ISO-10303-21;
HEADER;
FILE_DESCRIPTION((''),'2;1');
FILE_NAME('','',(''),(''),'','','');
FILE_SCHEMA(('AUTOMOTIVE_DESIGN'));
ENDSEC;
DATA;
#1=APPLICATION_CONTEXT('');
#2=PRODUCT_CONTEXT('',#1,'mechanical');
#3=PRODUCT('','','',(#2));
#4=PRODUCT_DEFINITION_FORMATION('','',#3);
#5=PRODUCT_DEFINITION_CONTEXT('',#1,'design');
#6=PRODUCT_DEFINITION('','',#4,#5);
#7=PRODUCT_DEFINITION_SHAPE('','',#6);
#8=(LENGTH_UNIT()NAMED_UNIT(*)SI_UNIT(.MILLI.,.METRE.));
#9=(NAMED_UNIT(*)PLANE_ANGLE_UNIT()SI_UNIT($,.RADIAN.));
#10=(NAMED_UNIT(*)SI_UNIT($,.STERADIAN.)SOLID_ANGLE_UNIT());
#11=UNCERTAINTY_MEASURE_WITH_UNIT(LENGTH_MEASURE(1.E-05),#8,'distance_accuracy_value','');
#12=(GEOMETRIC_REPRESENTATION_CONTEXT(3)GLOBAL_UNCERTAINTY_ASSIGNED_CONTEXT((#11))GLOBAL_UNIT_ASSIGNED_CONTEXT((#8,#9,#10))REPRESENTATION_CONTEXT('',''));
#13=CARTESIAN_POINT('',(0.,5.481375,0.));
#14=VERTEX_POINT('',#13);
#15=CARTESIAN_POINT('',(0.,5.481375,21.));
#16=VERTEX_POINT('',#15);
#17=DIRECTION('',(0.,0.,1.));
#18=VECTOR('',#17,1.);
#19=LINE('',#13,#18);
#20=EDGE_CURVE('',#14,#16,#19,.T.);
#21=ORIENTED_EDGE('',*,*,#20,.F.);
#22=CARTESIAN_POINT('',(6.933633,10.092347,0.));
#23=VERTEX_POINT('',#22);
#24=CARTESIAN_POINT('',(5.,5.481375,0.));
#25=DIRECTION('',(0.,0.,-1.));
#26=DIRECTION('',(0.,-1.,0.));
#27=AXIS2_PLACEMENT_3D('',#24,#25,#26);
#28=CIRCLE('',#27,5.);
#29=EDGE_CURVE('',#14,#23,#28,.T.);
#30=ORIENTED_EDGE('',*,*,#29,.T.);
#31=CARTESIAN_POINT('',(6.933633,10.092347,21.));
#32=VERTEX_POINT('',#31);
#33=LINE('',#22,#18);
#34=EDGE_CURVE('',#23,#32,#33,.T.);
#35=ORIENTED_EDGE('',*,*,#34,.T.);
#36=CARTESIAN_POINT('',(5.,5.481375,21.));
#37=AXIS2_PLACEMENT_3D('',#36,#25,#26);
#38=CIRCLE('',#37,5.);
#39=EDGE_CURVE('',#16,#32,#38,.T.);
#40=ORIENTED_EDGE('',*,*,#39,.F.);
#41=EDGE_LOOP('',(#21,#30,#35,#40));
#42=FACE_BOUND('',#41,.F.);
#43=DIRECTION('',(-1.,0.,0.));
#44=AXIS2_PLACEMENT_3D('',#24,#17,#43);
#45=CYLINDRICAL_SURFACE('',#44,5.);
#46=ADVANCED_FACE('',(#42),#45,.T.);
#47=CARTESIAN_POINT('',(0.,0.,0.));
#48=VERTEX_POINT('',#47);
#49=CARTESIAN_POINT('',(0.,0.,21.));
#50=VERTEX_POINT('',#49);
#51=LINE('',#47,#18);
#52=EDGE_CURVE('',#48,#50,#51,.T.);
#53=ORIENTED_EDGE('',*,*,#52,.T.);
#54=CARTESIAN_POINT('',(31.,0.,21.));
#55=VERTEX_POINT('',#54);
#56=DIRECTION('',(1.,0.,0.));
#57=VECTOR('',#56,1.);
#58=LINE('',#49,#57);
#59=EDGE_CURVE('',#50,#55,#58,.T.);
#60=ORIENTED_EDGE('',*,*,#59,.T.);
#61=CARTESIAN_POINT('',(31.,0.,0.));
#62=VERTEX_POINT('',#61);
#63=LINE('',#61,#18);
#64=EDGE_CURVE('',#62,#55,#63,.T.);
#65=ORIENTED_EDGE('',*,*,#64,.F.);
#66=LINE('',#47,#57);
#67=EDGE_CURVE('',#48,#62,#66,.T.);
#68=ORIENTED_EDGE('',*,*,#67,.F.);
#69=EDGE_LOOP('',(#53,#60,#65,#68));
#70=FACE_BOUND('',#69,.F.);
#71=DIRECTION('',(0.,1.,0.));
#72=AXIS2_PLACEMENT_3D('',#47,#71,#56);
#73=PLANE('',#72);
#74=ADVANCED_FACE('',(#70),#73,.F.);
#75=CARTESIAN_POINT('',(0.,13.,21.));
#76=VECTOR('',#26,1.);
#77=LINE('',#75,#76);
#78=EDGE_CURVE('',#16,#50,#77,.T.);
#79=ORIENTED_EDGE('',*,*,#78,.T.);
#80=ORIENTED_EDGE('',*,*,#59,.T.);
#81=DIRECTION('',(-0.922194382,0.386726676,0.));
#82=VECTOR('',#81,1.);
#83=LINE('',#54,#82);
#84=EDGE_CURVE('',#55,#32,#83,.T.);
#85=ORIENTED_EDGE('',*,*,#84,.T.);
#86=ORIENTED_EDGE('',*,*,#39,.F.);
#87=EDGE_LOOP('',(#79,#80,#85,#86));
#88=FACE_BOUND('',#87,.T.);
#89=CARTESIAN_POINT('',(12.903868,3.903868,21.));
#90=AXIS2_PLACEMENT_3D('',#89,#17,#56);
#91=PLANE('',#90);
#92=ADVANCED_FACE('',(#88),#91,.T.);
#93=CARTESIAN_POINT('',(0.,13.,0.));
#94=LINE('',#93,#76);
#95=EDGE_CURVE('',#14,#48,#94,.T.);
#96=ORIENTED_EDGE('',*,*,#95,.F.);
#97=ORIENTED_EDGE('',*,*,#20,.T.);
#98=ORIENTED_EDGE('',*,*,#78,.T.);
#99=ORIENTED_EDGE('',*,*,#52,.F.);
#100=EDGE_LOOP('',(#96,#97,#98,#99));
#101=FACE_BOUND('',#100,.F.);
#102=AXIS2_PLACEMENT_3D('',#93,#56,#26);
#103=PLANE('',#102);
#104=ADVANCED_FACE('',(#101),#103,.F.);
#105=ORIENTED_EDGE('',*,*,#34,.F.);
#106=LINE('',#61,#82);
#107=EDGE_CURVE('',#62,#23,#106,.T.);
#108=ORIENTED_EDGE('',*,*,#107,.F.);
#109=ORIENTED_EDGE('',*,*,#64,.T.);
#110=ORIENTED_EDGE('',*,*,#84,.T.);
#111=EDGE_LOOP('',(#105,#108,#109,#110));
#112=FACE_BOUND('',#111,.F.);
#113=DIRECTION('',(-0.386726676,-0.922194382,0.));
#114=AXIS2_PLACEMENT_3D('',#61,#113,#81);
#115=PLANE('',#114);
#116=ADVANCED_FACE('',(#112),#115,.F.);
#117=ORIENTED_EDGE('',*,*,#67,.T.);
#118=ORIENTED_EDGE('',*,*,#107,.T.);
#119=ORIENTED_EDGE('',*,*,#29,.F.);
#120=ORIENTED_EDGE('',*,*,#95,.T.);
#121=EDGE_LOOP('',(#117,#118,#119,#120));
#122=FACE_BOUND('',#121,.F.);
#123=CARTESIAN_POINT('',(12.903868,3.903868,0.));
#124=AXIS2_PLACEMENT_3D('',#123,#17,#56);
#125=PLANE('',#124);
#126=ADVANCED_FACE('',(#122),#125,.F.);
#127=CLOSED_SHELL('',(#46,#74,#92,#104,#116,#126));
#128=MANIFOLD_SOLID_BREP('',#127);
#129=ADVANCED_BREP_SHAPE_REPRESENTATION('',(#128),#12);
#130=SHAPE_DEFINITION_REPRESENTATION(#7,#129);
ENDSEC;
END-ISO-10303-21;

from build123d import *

# Parameters (mm, degrees)
F1_DEPTH = 21
F2_R     = 5


with BuildPart() as f1:
    # F0 (on Top) → F1 (new body)
    with BuildSketch(Plane.XY):
        Polygon((0, 13), (0, 0), (31, 0), align=None)
    extrude(amount=F1_DEPTH)

    # F2
    f2_edges = [f1.edges().sort_by_distance(p)[0] for p in [
        (0, 13, 10.5),
    ]]
    fillet(f2_edges, radius=F2_R)


solid = f1.part
